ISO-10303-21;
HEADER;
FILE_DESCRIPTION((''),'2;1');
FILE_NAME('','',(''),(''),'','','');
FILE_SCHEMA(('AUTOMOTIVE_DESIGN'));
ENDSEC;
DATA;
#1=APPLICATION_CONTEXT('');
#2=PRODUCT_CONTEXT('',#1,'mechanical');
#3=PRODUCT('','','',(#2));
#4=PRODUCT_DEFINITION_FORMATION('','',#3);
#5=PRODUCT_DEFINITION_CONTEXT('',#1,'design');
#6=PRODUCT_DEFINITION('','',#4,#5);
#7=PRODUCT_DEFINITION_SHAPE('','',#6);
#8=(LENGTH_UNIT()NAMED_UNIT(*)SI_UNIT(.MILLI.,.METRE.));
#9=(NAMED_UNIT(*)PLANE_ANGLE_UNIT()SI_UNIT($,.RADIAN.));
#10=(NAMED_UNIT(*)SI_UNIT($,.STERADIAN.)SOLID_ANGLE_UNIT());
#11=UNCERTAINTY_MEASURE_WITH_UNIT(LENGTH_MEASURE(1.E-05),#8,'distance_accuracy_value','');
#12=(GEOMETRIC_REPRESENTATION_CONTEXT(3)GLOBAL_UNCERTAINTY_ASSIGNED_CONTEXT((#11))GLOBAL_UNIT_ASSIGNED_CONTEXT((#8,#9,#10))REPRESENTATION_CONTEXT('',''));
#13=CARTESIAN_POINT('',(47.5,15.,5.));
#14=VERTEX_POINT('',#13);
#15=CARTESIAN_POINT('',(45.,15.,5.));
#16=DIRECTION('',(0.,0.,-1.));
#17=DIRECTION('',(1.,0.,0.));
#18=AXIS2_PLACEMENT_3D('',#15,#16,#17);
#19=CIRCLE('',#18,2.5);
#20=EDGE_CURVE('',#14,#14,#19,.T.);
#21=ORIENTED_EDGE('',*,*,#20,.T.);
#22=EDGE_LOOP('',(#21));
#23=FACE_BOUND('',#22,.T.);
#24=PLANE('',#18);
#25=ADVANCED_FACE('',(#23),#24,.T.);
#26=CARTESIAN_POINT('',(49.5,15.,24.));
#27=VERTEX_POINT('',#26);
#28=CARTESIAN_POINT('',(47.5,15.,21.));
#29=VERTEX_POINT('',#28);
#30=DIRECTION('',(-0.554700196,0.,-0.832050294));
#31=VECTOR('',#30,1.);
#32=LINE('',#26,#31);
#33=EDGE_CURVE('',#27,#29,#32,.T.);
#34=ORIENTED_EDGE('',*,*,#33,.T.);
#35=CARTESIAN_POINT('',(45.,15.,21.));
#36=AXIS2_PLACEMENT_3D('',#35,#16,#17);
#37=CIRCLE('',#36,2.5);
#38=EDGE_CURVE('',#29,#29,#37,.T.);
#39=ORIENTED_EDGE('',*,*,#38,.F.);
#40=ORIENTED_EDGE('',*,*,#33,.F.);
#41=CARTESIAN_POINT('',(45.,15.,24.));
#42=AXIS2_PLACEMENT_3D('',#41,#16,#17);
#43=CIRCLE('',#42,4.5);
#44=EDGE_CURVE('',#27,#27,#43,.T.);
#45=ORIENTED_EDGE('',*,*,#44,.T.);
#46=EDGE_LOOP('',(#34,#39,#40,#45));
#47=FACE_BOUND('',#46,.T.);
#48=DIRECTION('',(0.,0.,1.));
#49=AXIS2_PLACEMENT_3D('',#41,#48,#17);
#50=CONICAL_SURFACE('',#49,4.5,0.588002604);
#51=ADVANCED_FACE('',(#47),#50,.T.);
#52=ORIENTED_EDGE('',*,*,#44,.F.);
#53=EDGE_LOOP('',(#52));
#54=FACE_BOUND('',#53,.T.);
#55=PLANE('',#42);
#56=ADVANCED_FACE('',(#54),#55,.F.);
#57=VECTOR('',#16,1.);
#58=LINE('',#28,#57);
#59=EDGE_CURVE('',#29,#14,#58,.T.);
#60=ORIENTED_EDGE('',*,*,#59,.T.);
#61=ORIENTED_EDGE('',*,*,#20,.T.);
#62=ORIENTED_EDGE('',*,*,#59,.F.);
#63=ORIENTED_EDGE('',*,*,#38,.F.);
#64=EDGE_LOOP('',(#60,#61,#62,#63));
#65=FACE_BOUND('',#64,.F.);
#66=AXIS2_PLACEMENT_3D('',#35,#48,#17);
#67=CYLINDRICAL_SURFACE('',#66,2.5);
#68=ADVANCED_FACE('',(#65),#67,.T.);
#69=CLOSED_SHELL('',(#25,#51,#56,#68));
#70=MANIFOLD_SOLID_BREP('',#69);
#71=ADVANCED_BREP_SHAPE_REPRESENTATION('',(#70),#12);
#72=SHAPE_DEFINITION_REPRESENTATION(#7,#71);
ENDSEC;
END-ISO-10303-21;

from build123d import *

# Parameters (mm, degrees)
CYLINDER011_R                   = 2.5
CYLINDER011_DEPTH               = 16
FUSION001018017_PLACEMENT_ANGLE = 180
CLONE013_PLACEMENT_ANGLE        = 180


with BuildPart() as cone003:
    # Cone003 → Cone003 (revolve)
    with BuildSketch(Plane(origin=(0, 0, -3), x_dir=(1, 0, 0), z_dir=(0, -1, 0))):
        Polygon((0, 0), (4.5, 0), (2.5, 3), (0, 3), align=None)
    revolve(axis=Axis((0, 0, -3), (0, 0, 1)))


with BuildPart() as m5x16_senkkopf002:
    # Cylinder011 → Cylinder011 (new body)
    with BuildSketch(Plane.XY):
        Circle(CYLINDER011_R)
    extrude(amount=CYLINDER011_DEPTH)

    # Fusion001018017: union Cone003
    add(cone003.part)


with BuildPart() as m5x16_senkkopf002_1:
    # Fusion001018017 placement: moved
    add(m5x16_senkkopf002.part.moved(Location((45, 15, 21))).rotate(Axis((45, 15, 21), (0, 1, 0)), FUSION001018017_PLACEMENT_ANGLE))


with BuildPart() as m5x16_senkkopf002_2:
    # Clone013 placement: moved
    add(m5x16_senkkopf002_1.part.moved(Location((90, 30, 0))).rotate(Axis((90, 30, 0), (0, 0, 1)), CLONE013_PLACEMENT_ANGLE))


solid = m5x16_senkkopf002_2.part
